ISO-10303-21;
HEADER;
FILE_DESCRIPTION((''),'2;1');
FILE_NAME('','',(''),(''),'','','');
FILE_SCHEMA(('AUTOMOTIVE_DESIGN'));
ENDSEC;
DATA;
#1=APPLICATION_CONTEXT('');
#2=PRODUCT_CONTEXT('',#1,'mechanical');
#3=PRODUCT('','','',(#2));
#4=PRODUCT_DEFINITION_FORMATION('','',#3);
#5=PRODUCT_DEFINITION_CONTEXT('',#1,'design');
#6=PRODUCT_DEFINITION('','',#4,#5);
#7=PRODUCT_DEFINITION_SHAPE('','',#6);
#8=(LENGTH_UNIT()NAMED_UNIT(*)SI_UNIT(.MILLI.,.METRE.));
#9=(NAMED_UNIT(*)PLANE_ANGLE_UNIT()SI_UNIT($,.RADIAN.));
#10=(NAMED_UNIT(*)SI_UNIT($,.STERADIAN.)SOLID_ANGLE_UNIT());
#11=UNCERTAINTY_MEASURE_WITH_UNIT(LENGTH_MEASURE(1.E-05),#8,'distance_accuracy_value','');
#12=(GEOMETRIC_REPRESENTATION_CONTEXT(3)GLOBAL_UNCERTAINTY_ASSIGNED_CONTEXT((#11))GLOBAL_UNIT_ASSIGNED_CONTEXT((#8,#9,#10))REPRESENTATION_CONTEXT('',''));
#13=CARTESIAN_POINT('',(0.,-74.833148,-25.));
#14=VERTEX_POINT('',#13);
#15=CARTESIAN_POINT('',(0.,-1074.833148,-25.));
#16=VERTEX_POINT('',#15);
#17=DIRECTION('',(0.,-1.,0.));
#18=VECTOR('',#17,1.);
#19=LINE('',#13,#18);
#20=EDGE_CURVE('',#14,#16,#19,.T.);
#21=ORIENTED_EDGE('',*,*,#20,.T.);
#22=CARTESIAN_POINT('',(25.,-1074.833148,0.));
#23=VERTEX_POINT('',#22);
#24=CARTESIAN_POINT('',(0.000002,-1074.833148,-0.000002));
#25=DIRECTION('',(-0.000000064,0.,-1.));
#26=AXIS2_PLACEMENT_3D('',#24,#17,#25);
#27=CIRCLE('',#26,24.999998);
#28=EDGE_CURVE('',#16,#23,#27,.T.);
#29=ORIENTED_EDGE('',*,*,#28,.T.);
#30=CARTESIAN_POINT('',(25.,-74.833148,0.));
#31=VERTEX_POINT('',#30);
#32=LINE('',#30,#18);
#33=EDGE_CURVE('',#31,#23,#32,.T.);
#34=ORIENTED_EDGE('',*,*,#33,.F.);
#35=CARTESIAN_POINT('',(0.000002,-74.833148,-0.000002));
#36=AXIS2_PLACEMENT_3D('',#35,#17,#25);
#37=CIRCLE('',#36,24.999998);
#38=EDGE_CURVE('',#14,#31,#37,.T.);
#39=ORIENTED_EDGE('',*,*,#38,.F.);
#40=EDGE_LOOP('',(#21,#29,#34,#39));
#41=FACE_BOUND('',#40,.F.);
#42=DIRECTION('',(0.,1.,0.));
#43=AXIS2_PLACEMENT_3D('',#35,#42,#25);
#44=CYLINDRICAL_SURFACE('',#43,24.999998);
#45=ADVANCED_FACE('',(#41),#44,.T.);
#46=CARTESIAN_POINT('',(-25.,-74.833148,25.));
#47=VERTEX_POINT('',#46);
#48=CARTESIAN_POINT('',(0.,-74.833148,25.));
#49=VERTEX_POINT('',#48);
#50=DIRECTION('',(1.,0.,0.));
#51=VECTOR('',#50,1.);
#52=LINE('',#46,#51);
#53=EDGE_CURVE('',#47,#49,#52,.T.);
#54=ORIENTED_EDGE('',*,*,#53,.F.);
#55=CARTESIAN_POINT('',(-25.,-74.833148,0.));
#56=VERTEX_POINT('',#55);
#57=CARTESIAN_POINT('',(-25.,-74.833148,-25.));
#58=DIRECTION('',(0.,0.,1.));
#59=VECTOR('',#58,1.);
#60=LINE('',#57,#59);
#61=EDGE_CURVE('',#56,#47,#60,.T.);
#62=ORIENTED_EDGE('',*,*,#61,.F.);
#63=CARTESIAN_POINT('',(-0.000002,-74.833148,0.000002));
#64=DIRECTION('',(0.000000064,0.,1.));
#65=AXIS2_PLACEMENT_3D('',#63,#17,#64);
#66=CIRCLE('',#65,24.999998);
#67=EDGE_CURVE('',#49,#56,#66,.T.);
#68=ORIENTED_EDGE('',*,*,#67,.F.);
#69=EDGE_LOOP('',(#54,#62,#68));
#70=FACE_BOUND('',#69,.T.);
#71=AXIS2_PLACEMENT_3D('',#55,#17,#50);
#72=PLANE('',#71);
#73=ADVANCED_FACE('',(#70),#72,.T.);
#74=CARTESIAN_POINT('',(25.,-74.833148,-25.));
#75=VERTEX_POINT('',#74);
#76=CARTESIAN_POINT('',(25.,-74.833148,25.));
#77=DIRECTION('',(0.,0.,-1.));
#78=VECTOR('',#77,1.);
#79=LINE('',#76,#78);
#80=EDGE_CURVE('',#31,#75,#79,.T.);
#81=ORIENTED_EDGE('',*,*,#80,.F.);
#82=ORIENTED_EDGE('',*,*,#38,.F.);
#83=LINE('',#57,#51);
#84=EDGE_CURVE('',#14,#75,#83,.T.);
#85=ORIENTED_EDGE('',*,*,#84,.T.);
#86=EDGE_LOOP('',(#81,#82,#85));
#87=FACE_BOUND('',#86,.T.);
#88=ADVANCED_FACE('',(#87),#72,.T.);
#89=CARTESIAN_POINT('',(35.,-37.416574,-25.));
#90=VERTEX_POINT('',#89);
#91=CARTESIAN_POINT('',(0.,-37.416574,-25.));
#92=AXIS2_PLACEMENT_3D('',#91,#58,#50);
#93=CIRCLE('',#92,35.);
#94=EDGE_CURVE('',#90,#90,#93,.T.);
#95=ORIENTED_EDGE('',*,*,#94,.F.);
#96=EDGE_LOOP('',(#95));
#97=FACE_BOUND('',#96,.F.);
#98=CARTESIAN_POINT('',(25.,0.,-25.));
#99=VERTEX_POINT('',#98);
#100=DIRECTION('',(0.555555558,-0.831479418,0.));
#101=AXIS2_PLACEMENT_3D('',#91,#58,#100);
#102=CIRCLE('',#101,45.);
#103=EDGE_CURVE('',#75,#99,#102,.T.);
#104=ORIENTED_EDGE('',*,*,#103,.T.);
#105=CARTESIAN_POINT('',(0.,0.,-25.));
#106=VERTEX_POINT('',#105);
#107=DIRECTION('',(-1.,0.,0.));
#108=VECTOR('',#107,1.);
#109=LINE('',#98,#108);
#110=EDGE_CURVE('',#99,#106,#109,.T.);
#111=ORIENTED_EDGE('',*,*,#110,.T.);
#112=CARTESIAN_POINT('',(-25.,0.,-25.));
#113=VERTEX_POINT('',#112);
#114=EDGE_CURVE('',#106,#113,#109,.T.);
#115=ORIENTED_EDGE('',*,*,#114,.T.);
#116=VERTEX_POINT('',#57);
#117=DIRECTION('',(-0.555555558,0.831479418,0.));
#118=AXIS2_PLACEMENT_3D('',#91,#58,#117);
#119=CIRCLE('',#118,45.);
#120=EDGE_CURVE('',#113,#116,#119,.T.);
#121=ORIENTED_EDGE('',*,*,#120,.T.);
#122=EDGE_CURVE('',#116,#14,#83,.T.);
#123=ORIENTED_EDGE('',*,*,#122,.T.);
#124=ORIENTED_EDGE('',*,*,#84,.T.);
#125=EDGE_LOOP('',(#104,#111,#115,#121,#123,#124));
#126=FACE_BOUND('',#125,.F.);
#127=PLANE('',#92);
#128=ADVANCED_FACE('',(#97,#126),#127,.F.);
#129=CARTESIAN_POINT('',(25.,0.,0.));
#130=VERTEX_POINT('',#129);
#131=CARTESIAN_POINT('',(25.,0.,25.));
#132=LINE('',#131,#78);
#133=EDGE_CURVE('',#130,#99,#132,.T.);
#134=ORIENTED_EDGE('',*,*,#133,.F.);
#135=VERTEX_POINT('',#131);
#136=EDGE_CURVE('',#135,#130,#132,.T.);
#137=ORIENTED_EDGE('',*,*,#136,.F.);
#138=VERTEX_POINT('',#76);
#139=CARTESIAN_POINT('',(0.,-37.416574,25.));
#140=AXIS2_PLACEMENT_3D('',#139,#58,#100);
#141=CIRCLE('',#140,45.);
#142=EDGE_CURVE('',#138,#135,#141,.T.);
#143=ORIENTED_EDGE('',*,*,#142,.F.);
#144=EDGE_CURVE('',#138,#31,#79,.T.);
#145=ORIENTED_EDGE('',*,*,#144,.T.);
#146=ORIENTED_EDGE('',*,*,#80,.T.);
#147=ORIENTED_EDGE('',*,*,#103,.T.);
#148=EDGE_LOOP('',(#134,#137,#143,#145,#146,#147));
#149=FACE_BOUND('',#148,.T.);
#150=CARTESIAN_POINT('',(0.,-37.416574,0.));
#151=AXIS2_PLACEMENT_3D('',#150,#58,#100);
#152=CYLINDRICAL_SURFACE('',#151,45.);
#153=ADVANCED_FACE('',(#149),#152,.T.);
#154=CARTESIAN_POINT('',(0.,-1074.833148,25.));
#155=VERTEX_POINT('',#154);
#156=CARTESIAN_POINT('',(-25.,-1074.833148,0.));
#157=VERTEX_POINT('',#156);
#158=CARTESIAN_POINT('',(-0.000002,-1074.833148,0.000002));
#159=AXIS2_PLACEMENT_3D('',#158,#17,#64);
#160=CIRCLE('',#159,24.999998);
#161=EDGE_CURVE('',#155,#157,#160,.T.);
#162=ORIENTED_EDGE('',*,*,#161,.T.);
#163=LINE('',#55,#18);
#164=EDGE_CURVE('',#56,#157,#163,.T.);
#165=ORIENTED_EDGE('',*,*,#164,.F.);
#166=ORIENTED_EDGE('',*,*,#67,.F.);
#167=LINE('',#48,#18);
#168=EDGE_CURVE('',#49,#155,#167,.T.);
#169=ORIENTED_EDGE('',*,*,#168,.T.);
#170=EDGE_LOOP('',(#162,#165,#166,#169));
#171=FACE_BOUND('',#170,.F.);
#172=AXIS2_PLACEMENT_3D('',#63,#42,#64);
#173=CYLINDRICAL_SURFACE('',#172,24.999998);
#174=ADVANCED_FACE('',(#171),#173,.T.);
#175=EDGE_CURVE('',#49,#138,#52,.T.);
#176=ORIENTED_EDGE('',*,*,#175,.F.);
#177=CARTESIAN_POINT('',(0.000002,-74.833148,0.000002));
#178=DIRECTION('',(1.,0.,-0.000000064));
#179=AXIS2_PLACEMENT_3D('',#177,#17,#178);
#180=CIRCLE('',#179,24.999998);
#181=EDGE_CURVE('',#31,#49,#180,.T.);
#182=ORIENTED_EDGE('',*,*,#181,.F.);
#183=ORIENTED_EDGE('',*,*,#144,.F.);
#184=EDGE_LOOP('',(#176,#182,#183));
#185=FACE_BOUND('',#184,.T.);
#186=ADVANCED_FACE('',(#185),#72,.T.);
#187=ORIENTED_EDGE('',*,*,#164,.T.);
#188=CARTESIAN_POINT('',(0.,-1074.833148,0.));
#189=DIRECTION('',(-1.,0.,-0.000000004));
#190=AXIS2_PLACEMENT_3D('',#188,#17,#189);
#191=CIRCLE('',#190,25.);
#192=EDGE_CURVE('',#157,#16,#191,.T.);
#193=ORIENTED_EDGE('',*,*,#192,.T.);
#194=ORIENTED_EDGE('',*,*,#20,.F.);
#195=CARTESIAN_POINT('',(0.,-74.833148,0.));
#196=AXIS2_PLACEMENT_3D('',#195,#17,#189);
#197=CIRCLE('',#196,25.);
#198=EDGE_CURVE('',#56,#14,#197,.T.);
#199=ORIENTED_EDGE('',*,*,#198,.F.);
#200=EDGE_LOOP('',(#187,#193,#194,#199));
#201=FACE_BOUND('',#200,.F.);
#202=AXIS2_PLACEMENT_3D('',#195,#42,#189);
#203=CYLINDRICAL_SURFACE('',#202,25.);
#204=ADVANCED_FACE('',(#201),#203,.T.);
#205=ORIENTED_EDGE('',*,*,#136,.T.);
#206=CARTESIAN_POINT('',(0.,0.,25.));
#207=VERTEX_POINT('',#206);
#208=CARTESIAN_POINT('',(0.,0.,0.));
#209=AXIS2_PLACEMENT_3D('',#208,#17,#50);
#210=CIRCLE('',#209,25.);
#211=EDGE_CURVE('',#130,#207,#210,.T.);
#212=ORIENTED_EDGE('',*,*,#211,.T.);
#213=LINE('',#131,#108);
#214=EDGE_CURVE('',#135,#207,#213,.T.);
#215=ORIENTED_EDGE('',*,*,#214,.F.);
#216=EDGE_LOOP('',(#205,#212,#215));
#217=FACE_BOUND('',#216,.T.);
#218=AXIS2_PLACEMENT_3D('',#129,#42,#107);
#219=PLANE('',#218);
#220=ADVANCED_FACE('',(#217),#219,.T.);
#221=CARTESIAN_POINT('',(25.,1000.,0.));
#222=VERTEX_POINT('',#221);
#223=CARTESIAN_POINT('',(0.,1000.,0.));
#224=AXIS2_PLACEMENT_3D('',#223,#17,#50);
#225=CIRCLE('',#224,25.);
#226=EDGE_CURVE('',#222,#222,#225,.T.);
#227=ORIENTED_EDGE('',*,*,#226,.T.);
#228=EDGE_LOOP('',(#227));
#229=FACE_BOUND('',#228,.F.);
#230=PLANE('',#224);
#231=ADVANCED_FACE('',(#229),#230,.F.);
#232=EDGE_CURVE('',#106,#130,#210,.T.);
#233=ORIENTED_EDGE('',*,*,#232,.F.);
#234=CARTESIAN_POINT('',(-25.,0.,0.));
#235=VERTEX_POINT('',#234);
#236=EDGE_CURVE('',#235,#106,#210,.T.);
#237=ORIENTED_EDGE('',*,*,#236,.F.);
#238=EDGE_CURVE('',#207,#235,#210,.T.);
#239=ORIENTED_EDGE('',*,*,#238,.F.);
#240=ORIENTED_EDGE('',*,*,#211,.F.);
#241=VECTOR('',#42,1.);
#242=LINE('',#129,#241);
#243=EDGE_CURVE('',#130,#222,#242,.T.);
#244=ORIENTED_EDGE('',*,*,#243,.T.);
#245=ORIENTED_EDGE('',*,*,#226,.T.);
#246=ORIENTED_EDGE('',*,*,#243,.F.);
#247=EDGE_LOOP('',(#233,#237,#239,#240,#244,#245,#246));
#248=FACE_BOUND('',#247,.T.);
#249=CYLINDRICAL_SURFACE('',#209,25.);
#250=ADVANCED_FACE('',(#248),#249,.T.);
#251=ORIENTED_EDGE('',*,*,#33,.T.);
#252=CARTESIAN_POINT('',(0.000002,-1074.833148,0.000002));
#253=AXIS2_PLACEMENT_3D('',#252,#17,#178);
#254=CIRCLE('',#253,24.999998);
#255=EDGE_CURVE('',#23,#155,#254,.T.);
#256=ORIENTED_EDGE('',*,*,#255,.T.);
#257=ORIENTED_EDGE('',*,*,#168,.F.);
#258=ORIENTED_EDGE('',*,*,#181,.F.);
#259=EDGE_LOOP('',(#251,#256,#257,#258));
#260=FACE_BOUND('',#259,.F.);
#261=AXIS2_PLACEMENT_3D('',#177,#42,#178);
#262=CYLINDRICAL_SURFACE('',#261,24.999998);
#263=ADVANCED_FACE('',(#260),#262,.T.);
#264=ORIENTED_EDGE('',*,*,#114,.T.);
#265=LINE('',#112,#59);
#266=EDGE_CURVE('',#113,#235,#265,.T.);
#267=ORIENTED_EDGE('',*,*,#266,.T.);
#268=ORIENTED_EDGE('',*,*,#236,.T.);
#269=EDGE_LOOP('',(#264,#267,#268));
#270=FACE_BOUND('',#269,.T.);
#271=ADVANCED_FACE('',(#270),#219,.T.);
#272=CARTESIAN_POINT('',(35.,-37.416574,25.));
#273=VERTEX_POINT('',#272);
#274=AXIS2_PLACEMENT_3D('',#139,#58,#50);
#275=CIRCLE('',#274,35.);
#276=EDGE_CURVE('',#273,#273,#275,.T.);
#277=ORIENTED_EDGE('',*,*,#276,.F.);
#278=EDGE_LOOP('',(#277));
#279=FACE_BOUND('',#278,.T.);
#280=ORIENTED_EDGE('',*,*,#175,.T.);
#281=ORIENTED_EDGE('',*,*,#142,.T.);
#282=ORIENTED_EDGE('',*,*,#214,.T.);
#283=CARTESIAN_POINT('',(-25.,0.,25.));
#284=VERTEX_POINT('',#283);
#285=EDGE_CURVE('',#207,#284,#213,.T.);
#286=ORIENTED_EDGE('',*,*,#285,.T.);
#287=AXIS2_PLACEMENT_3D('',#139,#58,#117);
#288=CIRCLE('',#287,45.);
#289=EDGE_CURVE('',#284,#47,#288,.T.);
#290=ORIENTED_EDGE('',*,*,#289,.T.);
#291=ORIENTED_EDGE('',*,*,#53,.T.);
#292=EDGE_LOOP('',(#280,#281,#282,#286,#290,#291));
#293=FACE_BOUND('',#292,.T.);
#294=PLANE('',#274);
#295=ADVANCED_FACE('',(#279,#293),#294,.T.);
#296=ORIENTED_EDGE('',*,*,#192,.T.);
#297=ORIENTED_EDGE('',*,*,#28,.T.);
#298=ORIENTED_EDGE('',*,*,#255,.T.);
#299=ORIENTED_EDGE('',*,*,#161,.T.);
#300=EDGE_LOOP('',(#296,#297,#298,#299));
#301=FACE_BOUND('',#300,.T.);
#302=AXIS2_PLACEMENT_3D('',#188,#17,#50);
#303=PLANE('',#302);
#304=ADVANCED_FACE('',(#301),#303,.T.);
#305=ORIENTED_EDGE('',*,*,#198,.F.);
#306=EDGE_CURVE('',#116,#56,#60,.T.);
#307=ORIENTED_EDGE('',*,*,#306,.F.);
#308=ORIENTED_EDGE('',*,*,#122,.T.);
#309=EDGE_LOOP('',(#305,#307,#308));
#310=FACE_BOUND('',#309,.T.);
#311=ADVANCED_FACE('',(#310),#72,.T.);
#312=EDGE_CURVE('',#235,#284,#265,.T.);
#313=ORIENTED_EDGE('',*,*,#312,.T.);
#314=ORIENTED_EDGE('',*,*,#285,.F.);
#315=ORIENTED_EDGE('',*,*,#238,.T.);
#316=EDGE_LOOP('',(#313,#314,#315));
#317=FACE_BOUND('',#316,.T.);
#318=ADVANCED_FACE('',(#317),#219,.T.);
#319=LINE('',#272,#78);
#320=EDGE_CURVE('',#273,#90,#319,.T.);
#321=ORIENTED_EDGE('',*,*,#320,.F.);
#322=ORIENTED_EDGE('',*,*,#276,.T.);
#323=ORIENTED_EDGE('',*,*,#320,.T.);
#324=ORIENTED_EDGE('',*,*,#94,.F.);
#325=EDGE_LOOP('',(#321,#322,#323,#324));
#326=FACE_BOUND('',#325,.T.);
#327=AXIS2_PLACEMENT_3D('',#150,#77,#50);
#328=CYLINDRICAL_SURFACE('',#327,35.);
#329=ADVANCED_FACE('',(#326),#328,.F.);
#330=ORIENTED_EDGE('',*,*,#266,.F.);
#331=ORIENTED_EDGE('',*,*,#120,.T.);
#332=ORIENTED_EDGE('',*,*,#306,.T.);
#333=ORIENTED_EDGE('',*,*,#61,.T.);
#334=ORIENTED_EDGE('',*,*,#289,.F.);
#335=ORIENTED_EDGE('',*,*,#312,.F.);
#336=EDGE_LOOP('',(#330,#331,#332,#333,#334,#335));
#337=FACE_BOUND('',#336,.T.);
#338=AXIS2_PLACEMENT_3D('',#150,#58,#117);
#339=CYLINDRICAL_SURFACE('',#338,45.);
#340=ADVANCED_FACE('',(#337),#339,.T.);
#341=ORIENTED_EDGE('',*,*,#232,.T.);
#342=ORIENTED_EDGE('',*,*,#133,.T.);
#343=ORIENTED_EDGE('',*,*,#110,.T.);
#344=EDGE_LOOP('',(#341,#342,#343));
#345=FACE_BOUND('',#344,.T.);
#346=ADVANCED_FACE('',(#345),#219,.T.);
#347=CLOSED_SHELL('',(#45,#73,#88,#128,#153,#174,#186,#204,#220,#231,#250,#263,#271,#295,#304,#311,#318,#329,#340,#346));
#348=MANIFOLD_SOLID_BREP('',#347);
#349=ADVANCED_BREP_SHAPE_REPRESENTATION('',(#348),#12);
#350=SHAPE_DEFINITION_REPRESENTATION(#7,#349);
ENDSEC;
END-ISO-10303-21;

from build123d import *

# Parameters (mm, degrees)
F0_R     = 25
F1_DEPTH = 1000
F2_R     = 35
F3_DEPTH = 25
F5_DEPTH = 1000


with BuildPart() as f1:
    # F0 (on Front) → F1 (new body)
    with BuildSketch(Plane.XZ):
        Circle(F0_R)
    extrude(amount=-F1_DEPTH)

    # F2 (on Top) → F3 (join, symmetric)
    with BuildSketch(Plane.XY):
        with BuildLine():
            Line((25, 0), (-25, 0))
            ThreePointArc((-25, 0), (-45, -37.416574), (-25, -74.833148))
            Line((-25, -74.833148), (25, -74.833148))
            ThreePointArc((25, -74.833148), (45, -37.416574), (25, 0))
        make_face()
        with Locations((0, -37.416574)):
            Circle(F2_R, mode=Mode.SUBTRACT)
    extrude(amount=F3_DEPTH, both=True)

    # F4 (on face) → F5 (join)
    with BuildSketch(Plane.XZ.offset(74.833148)):
        with BuildLine():
            ThreePointArc((0, -25), (17.67767, -17.67767), (25, 0))
            ThreePointArc((25, 0), (17.67767, 17.67767), (0, 25))
            ThreePointArc((0, 25), (-17.67767, 17.67767), (-25, 0))
            ThreePointArc((-25, 0), (-17.67767, -17.677669), (0, -25))
        make_face()
    extrude(amount=F5_DEPTH)


solid = f1.part
